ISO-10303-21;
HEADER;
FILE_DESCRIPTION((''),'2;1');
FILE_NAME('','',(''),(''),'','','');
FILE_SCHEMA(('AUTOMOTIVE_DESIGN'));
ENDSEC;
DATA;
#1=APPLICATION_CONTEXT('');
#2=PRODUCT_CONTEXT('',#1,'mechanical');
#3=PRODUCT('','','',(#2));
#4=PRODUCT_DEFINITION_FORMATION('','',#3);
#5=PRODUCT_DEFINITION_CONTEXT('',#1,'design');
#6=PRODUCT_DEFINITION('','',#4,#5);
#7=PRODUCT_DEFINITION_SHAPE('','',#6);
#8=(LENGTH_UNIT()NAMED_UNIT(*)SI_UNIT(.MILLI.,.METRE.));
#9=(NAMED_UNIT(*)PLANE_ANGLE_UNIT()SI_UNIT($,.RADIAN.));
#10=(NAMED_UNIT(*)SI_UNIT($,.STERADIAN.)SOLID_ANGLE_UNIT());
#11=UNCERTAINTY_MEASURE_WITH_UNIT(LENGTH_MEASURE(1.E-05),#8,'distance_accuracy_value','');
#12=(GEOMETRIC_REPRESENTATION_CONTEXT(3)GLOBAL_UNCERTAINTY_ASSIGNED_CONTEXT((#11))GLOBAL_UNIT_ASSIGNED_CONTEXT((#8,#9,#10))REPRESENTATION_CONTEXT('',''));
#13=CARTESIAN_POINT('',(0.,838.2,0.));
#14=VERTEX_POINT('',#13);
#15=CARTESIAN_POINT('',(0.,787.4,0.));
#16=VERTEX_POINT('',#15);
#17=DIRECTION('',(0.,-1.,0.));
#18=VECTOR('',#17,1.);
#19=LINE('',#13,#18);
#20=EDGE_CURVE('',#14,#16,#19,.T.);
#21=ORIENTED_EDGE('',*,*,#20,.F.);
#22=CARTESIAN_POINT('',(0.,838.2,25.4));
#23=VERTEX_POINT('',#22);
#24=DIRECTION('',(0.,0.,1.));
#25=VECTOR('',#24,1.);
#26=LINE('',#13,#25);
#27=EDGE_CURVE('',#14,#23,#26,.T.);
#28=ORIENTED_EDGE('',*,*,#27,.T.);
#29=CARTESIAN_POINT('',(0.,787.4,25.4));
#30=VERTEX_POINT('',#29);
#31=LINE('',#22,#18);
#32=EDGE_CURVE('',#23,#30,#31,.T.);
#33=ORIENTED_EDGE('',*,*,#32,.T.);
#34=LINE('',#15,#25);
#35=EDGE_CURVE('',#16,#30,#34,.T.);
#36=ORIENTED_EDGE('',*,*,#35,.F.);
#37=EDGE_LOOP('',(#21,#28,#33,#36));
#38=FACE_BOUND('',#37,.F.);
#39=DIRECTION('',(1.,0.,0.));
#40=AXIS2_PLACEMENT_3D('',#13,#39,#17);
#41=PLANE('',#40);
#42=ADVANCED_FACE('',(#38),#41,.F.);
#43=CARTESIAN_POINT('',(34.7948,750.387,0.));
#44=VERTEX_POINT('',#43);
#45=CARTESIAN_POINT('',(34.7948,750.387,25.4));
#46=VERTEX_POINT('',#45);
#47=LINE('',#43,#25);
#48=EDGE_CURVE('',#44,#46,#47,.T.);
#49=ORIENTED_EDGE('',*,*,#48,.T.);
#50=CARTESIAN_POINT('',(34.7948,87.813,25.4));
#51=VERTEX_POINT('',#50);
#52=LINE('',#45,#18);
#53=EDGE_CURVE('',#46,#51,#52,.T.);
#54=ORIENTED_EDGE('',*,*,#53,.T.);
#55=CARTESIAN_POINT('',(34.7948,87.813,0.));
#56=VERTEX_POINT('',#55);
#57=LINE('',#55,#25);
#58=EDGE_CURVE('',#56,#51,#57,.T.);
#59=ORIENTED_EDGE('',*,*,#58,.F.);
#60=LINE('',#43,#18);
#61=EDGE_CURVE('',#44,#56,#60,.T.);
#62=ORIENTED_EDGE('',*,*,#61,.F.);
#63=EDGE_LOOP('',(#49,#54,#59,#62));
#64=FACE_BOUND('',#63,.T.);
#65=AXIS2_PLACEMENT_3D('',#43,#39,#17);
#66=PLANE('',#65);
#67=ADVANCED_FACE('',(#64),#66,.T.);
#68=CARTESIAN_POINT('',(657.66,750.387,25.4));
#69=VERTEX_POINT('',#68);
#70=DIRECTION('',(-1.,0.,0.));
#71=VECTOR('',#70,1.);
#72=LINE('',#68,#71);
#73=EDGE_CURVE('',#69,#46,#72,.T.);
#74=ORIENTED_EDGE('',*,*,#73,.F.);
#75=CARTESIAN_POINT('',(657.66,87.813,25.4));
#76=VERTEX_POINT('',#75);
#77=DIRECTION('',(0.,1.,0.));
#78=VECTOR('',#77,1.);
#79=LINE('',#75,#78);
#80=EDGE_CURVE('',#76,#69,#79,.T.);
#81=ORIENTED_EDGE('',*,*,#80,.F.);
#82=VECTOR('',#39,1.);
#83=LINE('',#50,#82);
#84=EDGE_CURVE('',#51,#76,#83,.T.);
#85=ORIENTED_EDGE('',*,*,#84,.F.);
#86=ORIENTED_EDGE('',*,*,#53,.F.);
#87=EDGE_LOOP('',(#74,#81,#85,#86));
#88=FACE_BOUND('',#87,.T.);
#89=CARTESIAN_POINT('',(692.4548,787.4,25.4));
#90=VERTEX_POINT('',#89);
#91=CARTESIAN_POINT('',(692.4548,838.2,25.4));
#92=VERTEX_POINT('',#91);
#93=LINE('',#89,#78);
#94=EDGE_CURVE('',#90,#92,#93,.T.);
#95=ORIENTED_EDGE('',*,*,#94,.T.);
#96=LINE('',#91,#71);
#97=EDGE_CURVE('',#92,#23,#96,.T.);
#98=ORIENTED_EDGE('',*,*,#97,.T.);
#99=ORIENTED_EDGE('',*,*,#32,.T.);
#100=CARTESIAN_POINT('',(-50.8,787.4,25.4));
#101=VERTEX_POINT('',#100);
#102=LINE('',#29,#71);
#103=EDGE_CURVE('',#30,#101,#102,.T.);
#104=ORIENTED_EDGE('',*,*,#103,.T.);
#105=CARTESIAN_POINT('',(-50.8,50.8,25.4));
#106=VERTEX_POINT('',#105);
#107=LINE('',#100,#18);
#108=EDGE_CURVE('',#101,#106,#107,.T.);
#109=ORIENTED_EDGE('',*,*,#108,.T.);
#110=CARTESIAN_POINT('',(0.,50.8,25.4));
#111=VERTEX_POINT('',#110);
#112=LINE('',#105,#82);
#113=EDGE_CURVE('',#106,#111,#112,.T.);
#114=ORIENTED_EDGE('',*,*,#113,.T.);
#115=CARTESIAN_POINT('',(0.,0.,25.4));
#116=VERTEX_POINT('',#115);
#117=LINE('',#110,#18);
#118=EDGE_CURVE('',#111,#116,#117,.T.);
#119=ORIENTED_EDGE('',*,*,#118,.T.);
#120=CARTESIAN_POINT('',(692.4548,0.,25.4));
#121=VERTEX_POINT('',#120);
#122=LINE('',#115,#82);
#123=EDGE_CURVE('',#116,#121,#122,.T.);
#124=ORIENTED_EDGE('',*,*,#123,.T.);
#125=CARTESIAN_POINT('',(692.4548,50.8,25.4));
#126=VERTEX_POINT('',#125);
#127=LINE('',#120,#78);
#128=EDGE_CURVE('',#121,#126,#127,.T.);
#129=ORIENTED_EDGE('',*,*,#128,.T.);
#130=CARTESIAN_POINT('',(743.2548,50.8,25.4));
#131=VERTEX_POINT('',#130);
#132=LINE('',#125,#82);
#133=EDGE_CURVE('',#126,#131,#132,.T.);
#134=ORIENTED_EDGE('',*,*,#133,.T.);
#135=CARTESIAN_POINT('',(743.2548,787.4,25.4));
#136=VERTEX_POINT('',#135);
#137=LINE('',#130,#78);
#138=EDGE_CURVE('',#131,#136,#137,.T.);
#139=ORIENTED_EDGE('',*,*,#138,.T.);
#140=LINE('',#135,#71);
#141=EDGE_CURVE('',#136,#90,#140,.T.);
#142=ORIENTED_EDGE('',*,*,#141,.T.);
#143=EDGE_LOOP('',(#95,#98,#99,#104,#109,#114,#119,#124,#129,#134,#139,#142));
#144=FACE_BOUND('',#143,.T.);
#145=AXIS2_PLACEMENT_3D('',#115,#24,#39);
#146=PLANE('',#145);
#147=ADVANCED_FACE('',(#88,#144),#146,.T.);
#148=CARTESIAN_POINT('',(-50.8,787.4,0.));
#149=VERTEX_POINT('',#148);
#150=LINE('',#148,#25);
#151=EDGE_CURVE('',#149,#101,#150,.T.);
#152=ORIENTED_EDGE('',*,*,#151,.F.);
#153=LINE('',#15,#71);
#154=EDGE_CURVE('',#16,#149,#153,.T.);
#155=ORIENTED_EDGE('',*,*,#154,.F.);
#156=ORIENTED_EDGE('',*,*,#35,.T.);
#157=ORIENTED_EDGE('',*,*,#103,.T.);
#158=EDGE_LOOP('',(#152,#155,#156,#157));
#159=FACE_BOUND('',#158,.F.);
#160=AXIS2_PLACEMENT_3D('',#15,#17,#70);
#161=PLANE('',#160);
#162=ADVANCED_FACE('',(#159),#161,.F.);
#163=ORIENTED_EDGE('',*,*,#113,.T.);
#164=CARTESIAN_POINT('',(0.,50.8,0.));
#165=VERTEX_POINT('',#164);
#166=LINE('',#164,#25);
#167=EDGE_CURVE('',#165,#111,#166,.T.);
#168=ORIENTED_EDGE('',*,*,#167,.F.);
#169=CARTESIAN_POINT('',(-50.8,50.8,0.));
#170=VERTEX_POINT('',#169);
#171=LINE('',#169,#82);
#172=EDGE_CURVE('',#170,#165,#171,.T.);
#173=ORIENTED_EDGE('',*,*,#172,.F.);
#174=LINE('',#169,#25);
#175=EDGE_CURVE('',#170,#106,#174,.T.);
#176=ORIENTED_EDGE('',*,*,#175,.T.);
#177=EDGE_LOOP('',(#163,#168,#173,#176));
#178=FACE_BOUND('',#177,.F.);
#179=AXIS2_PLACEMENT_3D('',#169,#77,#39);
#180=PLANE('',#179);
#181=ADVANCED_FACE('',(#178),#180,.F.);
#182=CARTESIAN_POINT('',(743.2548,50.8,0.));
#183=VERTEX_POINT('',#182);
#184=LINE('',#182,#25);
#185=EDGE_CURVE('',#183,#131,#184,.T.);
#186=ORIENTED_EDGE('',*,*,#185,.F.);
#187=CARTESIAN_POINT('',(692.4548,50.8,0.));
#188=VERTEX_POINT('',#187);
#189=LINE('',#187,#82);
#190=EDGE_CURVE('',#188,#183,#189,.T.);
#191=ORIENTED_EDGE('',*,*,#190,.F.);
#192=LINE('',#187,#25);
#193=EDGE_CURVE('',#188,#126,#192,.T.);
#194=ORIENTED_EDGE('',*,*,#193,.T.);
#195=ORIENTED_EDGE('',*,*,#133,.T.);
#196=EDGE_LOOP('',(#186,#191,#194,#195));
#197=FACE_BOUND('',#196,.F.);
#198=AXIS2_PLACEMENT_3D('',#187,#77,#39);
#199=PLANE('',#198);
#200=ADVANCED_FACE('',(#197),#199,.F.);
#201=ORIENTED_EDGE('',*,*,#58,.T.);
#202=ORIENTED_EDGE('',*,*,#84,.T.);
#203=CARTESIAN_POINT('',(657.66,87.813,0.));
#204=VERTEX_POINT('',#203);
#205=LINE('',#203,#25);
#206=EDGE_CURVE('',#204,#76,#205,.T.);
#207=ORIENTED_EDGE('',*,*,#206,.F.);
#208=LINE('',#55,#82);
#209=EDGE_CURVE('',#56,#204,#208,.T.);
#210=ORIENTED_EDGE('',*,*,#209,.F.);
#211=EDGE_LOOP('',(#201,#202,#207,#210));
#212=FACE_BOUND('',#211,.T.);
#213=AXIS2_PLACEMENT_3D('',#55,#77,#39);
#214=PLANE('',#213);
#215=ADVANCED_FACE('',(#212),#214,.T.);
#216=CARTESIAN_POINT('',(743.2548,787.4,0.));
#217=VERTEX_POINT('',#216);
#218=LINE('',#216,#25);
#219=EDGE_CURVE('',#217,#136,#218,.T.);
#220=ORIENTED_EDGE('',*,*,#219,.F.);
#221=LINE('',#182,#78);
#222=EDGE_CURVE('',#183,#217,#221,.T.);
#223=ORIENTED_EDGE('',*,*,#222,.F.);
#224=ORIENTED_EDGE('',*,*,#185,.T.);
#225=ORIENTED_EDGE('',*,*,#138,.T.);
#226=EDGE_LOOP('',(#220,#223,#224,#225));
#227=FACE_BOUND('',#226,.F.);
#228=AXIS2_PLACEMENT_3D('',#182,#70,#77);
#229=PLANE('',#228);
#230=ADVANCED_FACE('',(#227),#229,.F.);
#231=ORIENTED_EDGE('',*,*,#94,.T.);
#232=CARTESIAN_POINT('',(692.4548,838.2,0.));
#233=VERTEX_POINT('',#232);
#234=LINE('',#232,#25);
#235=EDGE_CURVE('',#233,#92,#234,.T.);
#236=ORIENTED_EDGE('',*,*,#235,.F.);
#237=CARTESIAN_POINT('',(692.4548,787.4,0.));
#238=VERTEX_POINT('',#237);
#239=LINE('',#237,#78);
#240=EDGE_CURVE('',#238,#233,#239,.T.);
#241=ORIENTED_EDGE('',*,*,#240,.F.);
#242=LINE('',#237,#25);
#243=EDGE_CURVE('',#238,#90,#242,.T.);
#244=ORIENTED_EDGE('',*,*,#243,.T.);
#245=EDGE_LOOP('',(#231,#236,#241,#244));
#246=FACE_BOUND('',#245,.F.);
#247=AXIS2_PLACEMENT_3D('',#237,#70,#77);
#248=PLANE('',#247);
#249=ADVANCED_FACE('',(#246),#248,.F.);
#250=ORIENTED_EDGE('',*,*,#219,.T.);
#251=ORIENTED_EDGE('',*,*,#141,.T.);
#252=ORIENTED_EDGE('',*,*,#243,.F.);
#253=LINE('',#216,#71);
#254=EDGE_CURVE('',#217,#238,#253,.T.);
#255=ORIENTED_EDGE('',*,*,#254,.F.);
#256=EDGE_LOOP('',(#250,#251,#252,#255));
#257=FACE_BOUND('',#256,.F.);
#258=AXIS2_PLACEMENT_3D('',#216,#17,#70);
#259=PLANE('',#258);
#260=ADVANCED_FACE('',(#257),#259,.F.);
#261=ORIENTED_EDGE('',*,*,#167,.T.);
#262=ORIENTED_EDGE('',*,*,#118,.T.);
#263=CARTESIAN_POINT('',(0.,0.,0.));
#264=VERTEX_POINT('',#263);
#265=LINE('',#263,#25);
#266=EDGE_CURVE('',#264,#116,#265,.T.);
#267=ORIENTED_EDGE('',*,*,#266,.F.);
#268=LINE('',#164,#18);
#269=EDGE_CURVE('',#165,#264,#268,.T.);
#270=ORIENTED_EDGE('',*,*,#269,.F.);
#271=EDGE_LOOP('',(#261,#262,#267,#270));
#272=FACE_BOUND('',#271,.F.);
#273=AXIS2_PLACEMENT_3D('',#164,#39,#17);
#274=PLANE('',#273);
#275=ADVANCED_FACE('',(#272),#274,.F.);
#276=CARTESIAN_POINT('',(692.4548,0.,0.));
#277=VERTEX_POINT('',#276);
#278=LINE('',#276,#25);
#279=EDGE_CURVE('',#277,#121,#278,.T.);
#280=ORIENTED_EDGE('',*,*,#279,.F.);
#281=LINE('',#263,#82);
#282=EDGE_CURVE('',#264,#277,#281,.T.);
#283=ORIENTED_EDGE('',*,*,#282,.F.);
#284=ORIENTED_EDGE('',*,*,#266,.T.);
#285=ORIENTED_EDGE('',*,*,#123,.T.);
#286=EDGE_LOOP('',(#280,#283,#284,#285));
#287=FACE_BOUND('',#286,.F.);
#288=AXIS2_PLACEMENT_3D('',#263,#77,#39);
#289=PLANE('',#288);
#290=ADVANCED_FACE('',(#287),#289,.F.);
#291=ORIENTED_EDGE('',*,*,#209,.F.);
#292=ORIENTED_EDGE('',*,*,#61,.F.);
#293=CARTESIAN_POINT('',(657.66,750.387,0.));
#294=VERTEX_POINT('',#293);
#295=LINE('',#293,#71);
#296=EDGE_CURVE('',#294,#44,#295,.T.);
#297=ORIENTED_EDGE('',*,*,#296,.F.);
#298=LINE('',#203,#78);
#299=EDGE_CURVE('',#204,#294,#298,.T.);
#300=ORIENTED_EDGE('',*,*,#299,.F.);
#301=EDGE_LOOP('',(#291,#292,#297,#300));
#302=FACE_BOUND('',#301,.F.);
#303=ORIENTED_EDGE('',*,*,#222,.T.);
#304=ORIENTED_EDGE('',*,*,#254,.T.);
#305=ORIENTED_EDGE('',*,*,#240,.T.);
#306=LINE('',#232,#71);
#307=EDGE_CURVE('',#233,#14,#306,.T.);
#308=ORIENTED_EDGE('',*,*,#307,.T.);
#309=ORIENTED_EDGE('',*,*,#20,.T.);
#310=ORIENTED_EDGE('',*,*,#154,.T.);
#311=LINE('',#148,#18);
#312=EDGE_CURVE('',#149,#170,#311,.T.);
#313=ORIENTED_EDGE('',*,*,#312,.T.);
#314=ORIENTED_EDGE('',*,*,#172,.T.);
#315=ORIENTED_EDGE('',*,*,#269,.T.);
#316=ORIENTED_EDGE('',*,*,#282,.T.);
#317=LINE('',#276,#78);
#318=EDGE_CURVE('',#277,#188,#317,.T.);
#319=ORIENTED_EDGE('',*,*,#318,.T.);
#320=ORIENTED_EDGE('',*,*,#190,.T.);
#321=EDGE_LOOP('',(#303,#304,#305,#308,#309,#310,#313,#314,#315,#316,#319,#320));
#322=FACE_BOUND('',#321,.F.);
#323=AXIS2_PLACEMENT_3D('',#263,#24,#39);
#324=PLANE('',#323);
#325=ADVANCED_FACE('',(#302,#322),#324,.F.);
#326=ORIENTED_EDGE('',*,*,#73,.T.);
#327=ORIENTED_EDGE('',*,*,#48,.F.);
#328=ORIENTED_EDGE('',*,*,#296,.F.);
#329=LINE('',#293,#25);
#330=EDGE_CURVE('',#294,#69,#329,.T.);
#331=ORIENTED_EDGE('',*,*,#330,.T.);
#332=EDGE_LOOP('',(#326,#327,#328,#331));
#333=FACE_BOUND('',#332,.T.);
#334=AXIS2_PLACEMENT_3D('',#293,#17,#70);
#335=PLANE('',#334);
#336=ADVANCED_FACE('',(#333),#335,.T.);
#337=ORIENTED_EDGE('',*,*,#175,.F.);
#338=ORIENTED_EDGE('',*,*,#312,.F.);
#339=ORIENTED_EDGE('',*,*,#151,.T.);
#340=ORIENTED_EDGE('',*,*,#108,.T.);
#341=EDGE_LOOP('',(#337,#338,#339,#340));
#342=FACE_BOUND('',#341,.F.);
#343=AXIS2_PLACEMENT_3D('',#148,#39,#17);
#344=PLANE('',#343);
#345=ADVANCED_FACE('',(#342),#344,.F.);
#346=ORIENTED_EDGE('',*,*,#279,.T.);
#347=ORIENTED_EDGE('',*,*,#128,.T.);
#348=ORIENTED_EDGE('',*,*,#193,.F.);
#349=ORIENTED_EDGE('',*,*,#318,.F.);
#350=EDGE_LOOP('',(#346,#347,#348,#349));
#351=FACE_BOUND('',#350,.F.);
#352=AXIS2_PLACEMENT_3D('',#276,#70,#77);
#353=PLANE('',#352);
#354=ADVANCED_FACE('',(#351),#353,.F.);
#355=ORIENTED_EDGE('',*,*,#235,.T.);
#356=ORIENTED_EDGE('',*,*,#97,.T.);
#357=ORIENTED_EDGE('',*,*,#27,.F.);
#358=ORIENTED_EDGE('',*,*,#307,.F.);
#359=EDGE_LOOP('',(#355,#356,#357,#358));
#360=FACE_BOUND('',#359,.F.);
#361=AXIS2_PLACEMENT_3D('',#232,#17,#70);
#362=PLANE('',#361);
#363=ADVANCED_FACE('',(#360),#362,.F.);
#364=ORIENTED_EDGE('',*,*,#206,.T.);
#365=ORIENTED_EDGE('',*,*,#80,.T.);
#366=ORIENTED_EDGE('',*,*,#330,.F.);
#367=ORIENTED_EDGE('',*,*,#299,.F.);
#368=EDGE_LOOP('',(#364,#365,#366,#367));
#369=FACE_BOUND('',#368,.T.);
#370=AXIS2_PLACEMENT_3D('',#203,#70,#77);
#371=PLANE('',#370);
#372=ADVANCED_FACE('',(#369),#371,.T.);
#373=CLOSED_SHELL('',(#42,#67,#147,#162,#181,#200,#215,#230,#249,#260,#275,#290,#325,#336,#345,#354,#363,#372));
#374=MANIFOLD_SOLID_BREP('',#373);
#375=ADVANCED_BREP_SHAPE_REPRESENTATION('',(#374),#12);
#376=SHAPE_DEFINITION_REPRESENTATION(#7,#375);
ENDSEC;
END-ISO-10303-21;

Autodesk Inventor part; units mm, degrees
ref_plane "YZ Plane" through (0, 0, 0) normal (1, 0, 0) x (0, 1, 0)
ref_plane "XZ Plane" through (0, 0, 0) normal (0, 1, 0) x (-1, 0, 0)
ref_plane "XY Plane" through (0, 0, 0) normal (0, 0, 1) x (1, 0, 0)
sketch "Sketch1" plane through (0, 0, 0) normal (0, 0, 1) x (1, 0, 0)
  line L0 (0, 0) -> (692.4548, 0)
  line L1 (692.4548, 0) -> (692.4548, 50.8)
  line L2 (692.4548, 50.8) -> (743.2548, 50.8)
  line L3 (743.2548, 50.8) -> (743.2548, 787.4)
  line L4 (743.2548, 787.4) -> (692.4548, 787.4)
  line L5 (692.4548, 787.4) -> (692.4548, 838.2)
  line L6 (692.4548, 838.2) -> (0, 838.2)
  line L7 (0, 838.2) -> (0, 787.4)
  line L8 (0, 787.4) -> (-50.8, 787.4)
  line L9 (-50.8, 787.4) -> (-50.8, 50.8)
  line L10 (-50.8, 50.8) -> (0, 50.8)
  line L11 (0, 50.8) -> (0, 0)
  line L12 (692.4548, 787.4) -> (0, 50.8) construction
  line L13 (692.4548, 50.8) -> (0, 787.4) construction
  line L14 (692.4548, 787.4) -> (657.66, 750.387) construction
  line L15 (657.66, 750.387) -> (34.7948, 750.387)
  line L16 (34.7948, 750.387) -> (34.7948, 87.813)
  line L17 (34.7948, 87.813) -> (657.66, 87.813)
  line L18 (657.66, 87.813) -> (657.66, 750.387)
  dimension "d0" = 692.4548
  dimension "d1" = 50.8
  dimension "d2" = 50.8
  dimension "d3" = 736.6
  dimension "d4" = 50.8
  dimension "d5" = 50.8
  dimension "d6" = 50.8
  dimension "d7" = 50.8
extrude "Extrusion1" add sketch "Sketch1" along normal blind 25.4
properties part number "Upper Platform"
